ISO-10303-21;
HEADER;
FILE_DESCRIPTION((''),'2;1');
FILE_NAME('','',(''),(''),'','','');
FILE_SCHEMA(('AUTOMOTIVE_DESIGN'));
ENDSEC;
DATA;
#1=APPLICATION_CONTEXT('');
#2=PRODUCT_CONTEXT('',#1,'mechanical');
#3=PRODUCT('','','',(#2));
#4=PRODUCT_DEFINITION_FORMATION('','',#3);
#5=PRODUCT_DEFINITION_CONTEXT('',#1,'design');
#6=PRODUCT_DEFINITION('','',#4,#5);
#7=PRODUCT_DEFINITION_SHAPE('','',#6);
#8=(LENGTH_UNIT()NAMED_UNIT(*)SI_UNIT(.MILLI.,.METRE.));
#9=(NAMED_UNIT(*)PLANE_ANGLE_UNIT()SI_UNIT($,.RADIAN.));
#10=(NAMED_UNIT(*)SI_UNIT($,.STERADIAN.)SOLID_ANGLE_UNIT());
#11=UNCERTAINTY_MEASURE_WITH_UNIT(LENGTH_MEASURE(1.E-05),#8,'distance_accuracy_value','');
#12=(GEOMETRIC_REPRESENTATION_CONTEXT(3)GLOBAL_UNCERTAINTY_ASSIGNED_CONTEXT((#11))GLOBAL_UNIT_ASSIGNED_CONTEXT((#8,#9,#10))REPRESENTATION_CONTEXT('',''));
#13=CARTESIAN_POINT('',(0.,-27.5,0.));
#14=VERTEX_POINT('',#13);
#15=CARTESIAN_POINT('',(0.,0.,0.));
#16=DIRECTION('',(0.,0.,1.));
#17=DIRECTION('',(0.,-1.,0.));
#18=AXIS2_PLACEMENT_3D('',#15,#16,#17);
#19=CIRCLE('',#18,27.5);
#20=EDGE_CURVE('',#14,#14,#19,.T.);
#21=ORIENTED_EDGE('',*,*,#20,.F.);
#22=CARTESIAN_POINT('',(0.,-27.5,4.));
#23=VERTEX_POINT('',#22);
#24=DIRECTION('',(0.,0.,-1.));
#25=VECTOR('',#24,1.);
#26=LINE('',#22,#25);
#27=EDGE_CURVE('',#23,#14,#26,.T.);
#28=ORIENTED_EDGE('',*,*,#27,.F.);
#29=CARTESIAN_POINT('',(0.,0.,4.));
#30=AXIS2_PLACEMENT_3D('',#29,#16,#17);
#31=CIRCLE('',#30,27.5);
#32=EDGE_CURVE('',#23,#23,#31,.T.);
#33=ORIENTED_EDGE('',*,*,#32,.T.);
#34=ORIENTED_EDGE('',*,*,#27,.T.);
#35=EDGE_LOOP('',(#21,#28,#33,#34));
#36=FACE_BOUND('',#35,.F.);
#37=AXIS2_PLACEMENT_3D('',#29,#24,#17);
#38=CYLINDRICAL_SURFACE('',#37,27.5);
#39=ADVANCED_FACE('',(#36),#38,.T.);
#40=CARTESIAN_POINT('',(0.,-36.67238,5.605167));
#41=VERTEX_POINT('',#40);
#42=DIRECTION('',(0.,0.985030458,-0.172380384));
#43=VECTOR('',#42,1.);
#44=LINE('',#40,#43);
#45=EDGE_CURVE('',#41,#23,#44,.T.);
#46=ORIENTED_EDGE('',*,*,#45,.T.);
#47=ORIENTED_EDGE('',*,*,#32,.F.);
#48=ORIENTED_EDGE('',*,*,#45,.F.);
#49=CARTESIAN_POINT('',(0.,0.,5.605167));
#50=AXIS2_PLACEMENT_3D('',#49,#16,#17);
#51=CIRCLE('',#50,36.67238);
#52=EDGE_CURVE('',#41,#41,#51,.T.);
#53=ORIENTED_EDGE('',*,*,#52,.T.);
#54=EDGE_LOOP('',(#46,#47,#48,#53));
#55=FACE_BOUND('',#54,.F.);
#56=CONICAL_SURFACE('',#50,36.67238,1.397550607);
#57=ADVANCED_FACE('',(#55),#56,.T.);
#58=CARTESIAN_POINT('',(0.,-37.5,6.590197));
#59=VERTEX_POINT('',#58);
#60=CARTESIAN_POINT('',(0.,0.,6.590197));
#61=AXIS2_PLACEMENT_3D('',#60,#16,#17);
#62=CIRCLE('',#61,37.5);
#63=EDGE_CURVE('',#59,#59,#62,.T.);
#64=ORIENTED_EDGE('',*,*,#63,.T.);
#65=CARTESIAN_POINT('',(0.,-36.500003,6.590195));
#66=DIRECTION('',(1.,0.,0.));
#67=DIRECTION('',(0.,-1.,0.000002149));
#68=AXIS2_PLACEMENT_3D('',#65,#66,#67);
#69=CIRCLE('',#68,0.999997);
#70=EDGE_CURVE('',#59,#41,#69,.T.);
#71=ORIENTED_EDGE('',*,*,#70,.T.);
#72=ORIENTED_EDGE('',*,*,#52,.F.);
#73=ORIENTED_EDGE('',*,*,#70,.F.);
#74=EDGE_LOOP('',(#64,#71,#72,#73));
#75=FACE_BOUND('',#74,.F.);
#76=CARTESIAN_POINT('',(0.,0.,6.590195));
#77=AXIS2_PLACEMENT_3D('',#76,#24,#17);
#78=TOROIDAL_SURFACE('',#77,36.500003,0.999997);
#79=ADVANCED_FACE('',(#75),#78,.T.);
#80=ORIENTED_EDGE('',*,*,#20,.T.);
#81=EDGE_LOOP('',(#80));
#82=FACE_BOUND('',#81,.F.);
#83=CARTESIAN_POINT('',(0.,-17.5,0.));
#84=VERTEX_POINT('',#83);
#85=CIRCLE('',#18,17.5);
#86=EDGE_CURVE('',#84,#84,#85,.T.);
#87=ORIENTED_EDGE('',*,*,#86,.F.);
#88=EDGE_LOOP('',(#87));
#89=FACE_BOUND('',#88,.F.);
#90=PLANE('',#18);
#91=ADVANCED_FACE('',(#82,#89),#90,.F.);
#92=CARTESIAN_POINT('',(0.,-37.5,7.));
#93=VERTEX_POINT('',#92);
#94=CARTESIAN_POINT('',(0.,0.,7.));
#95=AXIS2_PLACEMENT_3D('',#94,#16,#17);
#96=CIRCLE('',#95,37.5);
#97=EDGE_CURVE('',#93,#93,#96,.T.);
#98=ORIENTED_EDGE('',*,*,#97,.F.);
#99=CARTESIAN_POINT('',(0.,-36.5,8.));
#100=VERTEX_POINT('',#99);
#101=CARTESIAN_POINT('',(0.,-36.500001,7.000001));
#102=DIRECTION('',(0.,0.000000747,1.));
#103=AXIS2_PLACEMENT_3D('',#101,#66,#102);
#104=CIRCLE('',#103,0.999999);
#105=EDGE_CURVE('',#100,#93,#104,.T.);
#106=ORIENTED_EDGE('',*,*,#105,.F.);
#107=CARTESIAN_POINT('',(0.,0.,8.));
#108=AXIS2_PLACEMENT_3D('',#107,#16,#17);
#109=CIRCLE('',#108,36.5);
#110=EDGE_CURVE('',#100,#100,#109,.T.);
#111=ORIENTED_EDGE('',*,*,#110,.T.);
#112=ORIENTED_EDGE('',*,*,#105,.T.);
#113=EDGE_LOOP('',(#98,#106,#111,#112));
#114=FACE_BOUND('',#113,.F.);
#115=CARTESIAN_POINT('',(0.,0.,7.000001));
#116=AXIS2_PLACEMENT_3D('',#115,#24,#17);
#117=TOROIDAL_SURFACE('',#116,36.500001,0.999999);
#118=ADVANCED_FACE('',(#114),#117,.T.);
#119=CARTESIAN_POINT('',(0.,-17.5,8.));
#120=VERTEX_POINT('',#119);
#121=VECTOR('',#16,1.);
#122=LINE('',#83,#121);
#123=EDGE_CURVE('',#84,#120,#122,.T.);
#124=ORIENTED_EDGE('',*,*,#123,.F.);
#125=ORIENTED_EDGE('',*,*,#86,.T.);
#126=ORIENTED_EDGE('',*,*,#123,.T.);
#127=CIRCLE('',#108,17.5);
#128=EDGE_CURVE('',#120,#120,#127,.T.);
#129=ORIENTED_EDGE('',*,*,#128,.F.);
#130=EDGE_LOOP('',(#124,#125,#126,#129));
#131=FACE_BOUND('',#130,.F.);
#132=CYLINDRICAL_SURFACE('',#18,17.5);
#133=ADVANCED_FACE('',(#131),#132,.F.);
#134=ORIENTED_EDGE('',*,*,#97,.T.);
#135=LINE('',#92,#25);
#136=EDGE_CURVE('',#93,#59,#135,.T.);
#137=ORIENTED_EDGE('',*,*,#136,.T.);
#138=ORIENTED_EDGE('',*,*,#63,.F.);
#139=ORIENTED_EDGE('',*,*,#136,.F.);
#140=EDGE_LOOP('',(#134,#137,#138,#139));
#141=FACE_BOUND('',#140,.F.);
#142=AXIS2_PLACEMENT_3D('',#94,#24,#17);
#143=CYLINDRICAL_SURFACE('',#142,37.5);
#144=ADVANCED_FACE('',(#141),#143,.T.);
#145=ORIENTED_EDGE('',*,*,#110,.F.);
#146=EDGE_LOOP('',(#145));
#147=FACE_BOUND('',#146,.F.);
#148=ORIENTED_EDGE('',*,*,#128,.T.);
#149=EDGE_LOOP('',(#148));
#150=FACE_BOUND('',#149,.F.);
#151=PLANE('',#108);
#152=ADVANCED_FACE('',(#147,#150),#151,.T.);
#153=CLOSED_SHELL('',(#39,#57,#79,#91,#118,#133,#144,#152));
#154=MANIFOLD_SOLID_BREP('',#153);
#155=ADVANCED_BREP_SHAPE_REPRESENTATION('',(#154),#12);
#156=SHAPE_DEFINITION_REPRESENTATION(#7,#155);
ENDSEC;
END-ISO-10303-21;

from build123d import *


with BuildPart() as f1:
    # F0 (on Right) → F1 (revolve)
    with BuildSketch(Plane.YZ):
        with BuildLine():
            Line((-27.5, 4), (-27.5, 0))
            Line((-27.5, 0), (-17.5, 0))
            Line((-17.5, 0), (-17.5, 8))
            Line((-17.5, 8), (-36.5, 8))
            ThreePointArc((-36.5, 8), (-37.207107, 7.707107), (-37.5, 7))
            Line((-37.5, 7), (-37.5, 6.590197))
            ThreePointArc((-37.5, 6.590197), (-37.265631, 5.946916), (-36.67238, 5.605167))
            Line((-36.67238, 5.605167), (-27.5, 4))
        make_face()
    revolve(axis=Axis((0, 0, 4), (0, 0, 1)))


solid = f1.part
